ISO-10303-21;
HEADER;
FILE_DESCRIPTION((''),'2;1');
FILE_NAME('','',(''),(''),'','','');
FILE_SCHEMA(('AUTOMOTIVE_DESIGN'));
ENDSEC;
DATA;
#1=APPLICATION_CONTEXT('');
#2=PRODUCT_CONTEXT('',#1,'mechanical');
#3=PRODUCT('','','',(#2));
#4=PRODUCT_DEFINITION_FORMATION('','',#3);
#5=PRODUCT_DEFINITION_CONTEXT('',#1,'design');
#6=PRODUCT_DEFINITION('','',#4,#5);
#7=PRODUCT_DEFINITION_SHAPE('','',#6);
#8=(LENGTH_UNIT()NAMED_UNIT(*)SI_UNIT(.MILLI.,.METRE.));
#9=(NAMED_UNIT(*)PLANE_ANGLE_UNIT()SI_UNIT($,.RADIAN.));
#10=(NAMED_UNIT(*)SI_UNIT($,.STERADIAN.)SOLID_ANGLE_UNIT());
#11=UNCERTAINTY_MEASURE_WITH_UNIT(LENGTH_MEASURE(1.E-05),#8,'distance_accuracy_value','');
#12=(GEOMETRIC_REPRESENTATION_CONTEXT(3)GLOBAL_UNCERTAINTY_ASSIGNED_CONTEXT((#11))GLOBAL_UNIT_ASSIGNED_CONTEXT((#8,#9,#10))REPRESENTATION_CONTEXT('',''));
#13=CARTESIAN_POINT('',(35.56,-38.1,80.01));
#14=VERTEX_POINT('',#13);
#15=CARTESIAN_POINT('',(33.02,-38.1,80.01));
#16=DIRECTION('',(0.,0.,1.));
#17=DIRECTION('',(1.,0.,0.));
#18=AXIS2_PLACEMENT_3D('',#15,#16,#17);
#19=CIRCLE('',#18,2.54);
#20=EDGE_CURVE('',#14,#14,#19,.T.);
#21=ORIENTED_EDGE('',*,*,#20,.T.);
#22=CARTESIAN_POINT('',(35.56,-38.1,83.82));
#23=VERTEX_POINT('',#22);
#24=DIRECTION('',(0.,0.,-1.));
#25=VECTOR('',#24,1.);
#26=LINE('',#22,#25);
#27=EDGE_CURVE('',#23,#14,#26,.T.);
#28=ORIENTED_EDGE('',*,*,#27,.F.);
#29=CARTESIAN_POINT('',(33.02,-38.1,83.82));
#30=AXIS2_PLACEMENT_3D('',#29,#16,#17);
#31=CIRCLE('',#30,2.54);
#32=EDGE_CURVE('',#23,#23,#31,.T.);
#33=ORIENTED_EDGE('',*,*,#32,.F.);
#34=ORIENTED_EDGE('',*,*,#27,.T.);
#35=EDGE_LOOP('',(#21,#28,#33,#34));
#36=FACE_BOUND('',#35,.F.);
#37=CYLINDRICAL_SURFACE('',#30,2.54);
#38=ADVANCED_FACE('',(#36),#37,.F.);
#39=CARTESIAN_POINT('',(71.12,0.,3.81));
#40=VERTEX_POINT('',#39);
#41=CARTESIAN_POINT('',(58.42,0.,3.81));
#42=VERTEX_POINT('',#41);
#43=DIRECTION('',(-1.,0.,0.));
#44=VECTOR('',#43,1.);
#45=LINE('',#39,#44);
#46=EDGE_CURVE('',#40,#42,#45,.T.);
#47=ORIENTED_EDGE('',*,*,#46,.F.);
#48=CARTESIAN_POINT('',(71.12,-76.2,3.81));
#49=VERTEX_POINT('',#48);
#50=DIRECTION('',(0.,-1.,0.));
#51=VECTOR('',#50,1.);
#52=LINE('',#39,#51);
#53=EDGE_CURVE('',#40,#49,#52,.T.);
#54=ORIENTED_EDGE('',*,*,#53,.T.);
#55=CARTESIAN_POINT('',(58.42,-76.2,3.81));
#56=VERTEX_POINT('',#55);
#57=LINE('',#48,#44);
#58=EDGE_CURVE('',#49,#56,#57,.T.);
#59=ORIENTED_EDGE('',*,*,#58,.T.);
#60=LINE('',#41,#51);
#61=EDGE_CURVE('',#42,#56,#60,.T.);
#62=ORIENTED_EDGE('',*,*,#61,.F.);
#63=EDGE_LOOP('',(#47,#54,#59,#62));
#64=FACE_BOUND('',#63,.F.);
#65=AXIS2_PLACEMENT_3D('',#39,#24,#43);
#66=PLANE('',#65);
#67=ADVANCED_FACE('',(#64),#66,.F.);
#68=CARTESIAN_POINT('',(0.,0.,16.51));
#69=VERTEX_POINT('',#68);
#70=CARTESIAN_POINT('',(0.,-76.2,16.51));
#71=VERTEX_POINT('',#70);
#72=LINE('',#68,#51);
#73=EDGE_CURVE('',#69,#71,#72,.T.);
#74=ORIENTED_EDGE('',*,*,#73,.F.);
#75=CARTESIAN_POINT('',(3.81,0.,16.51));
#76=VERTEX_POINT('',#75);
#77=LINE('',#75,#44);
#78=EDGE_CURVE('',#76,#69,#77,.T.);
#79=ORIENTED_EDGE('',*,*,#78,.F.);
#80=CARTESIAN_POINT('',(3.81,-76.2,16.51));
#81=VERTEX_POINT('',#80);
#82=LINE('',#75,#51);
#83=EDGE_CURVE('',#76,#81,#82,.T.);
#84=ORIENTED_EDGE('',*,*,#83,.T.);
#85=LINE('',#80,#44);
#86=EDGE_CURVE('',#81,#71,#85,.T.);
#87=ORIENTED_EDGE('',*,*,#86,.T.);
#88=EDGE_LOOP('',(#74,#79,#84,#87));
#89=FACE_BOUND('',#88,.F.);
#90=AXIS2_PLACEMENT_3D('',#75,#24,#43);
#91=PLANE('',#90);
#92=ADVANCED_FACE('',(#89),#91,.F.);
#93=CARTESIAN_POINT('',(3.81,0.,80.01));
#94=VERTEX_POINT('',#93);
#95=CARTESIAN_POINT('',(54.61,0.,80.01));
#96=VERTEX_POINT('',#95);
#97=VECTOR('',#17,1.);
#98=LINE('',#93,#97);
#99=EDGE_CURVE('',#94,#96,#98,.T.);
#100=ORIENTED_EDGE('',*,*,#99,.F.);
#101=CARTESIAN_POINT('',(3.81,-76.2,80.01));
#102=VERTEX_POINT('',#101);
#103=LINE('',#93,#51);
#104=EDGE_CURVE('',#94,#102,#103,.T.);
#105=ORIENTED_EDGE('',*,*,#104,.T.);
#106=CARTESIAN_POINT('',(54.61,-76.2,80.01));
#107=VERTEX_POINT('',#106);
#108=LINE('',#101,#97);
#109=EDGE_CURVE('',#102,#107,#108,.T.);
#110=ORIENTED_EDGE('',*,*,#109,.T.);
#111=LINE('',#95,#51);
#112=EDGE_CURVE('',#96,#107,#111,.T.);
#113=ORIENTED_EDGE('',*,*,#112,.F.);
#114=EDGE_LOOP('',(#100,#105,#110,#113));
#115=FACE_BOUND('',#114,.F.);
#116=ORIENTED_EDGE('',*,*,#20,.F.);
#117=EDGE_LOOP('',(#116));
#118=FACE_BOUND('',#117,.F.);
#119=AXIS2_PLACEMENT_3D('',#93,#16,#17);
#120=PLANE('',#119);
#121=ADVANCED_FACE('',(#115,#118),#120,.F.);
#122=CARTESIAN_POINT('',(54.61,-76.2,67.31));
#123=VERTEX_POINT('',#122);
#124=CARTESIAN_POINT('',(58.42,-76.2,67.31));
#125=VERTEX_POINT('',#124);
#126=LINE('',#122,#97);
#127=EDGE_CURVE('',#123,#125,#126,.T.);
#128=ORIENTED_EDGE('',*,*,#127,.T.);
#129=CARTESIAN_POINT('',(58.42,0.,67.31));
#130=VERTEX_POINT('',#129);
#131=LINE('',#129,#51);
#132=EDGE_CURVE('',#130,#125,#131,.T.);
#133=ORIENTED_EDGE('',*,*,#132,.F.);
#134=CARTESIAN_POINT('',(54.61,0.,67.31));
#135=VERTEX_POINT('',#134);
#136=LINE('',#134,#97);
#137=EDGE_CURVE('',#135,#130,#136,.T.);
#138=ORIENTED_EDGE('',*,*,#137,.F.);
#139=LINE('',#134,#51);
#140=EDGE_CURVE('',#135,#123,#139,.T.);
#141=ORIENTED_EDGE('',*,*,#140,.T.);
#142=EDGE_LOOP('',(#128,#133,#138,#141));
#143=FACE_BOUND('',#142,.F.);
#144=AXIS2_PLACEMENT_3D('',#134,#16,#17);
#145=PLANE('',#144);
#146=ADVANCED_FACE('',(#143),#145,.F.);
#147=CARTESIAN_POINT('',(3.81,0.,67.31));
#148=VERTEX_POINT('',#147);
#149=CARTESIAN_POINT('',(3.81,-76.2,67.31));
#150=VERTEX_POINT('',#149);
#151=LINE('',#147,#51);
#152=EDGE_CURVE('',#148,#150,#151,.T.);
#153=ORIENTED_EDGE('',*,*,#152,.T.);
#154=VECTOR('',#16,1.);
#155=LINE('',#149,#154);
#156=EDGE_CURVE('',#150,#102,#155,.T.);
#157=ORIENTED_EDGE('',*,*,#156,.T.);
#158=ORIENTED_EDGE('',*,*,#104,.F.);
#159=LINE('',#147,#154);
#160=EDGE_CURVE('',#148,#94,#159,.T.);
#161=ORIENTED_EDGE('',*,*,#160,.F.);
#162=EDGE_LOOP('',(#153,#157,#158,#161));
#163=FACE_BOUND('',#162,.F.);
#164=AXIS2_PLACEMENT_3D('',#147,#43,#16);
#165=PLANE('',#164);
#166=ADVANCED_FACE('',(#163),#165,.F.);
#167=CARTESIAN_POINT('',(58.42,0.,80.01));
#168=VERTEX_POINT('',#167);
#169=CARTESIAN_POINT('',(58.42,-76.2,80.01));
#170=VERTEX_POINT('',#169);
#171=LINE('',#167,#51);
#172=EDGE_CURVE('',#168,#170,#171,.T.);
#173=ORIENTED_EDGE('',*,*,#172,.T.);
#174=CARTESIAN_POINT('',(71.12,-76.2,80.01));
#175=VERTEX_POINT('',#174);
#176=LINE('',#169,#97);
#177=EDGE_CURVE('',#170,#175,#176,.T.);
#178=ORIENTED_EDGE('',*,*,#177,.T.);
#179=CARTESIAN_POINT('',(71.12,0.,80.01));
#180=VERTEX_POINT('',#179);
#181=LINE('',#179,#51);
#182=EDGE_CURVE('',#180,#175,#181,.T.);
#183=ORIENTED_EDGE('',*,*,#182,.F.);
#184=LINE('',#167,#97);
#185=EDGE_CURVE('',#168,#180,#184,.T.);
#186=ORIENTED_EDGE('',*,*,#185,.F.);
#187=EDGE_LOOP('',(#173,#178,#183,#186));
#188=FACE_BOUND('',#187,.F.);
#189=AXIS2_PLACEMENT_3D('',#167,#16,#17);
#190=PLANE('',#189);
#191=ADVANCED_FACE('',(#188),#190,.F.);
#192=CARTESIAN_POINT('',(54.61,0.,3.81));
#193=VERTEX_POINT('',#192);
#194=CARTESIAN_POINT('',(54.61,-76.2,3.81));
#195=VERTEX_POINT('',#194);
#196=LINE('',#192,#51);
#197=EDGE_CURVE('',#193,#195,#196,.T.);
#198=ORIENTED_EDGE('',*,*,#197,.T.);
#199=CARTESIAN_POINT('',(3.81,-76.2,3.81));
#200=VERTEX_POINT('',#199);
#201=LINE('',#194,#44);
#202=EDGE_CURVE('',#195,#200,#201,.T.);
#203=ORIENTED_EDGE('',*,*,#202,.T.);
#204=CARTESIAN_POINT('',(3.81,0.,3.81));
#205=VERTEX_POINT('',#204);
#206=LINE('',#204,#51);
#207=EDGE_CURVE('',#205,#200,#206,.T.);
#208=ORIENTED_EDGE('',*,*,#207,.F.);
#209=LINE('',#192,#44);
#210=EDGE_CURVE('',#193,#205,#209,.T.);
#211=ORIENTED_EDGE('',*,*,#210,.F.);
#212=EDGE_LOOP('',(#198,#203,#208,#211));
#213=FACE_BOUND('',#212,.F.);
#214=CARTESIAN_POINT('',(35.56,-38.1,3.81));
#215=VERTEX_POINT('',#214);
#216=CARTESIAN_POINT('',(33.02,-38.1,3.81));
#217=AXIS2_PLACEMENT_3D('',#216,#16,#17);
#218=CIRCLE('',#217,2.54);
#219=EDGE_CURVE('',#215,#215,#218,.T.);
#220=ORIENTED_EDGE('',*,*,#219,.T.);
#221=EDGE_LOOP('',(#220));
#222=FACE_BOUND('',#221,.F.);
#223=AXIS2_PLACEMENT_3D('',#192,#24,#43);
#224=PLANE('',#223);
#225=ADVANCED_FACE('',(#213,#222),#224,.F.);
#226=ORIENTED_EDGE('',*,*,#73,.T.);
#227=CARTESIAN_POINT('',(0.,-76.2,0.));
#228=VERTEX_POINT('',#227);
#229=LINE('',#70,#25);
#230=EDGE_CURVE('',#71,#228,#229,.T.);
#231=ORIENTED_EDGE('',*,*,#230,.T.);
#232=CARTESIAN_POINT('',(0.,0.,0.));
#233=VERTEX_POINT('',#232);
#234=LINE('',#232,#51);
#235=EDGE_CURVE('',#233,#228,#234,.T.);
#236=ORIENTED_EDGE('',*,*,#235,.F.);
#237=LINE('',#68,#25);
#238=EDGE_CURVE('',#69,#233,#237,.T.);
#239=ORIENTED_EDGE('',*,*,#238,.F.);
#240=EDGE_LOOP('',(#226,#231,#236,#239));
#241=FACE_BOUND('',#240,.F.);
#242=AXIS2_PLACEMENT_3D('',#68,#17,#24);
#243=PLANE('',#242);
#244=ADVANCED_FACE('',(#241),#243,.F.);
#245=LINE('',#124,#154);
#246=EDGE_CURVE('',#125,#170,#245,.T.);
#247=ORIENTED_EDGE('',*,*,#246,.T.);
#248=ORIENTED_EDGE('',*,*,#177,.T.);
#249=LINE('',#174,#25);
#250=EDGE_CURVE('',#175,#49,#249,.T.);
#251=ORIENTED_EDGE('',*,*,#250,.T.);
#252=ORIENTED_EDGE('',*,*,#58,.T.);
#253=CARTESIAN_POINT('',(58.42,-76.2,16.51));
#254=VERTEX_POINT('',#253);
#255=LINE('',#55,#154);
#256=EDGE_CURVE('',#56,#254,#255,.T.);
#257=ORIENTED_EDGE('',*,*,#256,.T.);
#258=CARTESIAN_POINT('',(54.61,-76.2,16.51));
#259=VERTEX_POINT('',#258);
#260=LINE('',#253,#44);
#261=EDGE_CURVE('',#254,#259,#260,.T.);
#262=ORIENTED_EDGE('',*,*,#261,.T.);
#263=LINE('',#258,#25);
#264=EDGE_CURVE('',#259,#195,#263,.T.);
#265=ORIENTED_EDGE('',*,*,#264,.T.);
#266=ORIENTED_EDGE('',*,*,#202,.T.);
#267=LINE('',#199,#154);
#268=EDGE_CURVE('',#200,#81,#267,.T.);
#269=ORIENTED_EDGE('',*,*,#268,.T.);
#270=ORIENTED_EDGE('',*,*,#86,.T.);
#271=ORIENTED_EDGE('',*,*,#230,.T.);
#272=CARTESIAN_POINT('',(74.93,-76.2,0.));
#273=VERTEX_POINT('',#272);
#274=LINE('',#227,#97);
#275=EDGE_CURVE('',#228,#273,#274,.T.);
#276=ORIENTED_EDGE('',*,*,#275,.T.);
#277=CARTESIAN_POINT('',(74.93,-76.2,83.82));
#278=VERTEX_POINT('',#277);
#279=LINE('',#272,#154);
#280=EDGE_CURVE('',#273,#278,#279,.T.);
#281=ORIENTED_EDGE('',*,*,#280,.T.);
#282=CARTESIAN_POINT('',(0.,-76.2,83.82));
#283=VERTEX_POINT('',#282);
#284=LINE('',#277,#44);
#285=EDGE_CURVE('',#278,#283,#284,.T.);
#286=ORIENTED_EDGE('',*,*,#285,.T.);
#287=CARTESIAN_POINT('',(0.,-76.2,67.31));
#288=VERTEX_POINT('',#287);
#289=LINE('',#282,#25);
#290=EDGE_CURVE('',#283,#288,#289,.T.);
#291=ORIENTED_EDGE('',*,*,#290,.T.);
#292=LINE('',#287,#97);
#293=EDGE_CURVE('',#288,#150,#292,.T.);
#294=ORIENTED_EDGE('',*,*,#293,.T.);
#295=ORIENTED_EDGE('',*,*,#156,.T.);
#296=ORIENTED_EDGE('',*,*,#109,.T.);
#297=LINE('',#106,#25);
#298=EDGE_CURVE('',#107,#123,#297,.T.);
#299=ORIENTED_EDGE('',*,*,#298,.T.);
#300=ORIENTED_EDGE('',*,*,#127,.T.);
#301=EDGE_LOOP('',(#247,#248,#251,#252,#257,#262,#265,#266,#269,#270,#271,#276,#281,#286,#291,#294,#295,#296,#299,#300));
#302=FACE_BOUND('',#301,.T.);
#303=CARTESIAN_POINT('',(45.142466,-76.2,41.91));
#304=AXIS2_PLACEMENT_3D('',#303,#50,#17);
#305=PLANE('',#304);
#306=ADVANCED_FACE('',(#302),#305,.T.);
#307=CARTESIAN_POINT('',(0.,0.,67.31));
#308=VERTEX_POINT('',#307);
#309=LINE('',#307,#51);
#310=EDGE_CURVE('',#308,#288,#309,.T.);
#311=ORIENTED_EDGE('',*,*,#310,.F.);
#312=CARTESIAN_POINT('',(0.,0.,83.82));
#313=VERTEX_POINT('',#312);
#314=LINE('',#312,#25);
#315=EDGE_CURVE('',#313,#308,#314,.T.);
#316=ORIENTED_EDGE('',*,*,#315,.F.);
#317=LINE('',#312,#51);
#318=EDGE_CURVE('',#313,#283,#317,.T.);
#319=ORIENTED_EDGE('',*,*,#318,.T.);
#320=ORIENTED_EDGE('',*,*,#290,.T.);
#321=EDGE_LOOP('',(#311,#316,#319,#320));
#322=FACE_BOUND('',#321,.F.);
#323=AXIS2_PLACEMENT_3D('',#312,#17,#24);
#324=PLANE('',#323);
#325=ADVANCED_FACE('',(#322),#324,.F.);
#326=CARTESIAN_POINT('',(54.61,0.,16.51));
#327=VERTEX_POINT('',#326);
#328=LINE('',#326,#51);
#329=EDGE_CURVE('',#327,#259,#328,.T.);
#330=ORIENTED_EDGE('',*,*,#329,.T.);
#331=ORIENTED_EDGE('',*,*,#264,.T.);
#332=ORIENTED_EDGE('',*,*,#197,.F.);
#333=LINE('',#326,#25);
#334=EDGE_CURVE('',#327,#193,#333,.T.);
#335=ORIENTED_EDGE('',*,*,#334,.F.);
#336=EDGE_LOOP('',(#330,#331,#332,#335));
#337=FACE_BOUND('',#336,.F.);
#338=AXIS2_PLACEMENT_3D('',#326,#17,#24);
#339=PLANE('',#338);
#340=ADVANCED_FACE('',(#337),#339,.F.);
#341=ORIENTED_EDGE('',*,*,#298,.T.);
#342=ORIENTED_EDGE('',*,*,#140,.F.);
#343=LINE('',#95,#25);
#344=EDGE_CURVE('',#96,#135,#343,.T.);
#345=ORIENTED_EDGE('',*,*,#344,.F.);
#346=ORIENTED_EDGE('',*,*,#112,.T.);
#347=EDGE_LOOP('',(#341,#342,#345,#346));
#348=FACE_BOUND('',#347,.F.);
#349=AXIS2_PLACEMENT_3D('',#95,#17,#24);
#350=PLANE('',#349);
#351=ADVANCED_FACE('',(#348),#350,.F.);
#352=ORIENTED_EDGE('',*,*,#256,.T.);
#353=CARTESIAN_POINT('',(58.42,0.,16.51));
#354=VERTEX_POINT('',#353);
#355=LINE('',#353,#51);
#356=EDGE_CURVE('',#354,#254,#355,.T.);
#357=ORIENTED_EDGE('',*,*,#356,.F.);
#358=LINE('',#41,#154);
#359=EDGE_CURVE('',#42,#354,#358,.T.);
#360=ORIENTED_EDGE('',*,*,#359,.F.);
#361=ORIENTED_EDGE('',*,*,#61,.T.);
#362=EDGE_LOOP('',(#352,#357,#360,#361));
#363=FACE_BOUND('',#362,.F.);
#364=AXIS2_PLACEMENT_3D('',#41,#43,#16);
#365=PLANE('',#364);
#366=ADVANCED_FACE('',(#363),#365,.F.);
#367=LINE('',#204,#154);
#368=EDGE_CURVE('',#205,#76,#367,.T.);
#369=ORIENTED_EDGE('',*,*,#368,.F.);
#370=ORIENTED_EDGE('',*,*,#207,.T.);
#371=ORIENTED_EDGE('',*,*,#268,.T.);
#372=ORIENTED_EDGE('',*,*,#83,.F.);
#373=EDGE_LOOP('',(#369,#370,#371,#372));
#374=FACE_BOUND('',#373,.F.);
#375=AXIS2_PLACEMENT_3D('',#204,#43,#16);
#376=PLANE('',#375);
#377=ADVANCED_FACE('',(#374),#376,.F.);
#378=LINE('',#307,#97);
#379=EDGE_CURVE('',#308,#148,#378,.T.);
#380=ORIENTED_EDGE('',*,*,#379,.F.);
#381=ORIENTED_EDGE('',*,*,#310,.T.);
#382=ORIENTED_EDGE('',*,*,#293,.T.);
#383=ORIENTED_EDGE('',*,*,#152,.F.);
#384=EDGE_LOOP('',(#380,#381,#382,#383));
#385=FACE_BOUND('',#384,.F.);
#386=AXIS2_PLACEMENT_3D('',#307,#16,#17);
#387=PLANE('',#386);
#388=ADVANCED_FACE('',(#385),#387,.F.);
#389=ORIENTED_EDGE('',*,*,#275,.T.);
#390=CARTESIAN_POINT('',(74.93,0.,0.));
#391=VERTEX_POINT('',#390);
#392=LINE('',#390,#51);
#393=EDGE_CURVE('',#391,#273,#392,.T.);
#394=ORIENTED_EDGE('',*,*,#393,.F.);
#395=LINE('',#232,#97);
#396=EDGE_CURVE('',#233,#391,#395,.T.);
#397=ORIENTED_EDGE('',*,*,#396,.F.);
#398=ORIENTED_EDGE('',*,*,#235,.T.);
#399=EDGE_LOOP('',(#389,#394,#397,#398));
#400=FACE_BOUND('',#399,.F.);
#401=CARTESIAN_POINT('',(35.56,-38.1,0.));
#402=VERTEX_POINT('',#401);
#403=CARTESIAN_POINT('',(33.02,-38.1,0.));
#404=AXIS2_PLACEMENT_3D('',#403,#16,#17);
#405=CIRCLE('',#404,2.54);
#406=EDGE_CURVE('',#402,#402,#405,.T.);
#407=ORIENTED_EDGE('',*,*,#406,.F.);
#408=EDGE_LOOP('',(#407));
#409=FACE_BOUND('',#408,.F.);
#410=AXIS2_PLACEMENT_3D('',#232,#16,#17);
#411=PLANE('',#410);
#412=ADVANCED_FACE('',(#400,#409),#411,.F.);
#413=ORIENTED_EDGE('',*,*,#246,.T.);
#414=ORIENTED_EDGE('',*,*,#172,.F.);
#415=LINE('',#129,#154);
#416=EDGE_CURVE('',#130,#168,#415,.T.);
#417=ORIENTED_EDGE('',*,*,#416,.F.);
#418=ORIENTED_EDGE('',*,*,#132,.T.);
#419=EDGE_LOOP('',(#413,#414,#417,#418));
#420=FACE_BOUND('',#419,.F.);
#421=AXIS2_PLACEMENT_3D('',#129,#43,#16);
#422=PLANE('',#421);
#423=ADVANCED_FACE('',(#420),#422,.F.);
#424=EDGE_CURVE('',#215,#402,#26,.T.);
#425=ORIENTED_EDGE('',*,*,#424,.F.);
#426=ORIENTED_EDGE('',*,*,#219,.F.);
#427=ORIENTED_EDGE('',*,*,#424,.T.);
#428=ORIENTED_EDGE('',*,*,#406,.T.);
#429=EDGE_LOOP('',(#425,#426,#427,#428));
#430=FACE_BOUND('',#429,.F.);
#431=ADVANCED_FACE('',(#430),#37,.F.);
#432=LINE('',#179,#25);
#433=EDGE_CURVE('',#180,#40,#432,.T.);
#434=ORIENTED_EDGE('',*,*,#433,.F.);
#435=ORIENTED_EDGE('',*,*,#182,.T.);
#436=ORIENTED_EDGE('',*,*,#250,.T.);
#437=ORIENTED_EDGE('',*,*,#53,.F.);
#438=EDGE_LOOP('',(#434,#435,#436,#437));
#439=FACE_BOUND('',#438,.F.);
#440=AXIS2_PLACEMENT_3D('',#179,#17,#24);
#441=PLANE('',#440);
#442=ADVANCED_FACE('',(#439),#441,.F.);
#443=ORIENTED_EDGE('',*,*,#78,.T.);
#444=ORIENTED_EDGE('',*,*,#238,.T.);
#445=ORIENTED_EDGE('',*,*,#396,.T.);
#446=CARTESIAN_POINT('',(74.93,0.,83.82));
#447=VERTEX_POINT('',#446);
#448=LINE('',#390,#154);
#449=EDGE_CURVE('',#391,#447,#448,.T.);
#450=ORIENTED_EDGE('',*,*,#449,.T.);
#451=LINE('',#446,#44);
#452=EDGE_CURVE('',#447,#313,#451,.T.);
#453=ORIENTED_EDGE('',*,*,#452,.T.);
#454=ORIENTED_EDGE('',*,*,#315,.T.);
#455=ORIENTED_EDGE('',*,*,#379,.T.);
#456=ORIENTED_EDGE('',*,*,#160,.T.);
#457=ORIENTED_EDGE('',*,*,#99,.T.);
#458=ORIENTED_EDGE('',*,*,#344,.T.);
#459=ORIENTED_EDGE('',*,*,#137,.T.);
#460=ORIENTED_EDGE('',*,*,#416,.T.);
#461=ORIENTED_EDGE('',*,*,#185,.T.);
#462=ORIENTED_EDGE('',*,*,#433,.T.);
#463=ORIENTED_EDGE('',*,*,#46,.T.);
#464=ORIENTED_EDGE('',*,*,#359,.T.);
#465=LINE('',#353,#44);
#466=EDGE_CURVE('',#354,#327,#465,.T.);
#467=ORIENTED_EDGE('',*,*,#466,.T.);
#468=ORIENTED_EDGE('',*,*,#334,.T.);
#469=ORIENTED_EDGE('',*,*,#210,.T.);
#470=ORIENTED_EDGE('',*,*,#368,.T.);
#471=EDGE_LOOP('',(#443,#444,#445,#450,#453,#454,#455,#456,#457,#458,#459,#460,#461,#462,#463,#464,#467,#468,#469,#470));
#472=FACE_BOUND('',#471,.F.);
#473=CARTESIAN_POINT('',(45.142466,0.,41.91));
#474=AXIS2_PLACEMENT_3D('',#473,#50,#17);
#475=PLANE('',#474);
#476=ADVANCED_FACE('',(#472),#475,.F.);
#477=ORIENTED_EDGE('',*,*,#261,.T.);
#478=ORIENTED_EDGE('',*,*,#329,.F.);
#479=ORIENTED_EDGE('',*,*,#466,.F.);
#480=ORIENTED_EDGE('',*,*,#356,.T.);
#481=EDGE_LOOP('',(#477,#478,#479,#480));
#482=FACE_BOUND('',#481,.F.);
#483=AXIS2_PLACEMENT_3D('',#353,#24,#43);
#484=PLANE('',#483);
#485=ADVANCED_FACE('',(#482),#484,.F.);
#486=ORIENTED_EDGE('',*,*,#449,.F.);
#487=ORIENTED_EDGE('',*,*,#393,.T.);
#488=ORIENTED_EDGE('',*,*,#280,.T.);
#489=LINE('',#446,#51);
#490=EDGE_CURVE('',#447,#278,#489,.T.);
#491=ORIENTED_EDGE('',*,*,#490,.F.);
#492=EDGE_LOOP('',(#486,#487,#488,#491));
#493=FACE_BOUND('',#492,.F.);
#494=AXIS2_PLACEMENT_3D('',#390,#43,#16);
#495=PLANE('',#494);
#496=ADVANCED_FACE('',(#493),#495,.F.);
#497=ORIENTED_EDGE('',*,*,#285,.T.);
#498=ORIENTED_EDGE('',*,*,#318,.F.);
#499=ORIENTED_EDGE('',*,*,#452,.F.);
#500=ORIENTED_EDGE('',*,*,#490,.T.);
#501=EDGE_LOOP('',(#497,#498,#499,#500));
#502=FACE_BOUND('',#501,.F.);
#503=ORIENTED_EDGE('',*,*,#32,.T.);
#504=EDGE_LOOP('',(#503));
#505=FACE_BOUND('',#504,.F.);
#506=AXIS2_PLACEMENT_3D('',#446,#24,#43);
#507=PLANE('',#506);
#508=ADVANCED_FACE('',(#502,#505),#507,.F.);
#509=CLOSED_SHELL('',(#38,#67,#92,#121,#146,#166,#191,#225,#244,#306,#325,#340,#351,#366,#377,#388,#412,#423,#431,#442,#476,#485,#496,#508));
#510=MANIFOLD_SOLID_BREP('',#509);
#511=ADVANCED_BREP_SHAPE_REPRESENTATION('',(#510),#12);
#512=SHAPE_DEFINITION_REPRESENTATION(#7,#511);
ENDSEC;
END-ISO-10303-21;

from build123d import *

# Parameters (mm, degrees)
F1_DEPTH = 76.2
F3_DEPTH = 101.6


with BuildPart() as f1:
    # F0 (on Front) → F1 (new body)
    with BuildSketch(Plane.XZ):
        Polygon((54.61, 16.51), (54.61, 3.81), (3.81, 3.81), (3.81, 16.51), (0, 16.51), (0, 0), (74.93, 0), (74.93, 83.82), (0, 83.82), (0, 67.31), (3.81, 67.31), (3.81, 80.01), (54.61, 80.01), (54.61, 67.31), (58.42, 67.31), (58.42, 80.01), (71.12, 80.01), (71.12, 3.81), (58.42, 3.81), (58.42, 16.51), align=None)
    extrude(amount=F1_DEPTH)

    # F2 (on face) → F3 (cut)
    with BuildSketch(Plane.XY.offset(83.82)):
        with BuildLine():
            ThreePointArc((30.48, -38.1), (33.02, -40.64), (35.56, -38.1))
            ThreePointArc((35.56, -38.1), (33.02, -35.56), (30.48, -38.1))
        make_face()
    extrude(amount=-F3_DEPTH, mode=Mode.SUBTRACT)


solid = f1.part
